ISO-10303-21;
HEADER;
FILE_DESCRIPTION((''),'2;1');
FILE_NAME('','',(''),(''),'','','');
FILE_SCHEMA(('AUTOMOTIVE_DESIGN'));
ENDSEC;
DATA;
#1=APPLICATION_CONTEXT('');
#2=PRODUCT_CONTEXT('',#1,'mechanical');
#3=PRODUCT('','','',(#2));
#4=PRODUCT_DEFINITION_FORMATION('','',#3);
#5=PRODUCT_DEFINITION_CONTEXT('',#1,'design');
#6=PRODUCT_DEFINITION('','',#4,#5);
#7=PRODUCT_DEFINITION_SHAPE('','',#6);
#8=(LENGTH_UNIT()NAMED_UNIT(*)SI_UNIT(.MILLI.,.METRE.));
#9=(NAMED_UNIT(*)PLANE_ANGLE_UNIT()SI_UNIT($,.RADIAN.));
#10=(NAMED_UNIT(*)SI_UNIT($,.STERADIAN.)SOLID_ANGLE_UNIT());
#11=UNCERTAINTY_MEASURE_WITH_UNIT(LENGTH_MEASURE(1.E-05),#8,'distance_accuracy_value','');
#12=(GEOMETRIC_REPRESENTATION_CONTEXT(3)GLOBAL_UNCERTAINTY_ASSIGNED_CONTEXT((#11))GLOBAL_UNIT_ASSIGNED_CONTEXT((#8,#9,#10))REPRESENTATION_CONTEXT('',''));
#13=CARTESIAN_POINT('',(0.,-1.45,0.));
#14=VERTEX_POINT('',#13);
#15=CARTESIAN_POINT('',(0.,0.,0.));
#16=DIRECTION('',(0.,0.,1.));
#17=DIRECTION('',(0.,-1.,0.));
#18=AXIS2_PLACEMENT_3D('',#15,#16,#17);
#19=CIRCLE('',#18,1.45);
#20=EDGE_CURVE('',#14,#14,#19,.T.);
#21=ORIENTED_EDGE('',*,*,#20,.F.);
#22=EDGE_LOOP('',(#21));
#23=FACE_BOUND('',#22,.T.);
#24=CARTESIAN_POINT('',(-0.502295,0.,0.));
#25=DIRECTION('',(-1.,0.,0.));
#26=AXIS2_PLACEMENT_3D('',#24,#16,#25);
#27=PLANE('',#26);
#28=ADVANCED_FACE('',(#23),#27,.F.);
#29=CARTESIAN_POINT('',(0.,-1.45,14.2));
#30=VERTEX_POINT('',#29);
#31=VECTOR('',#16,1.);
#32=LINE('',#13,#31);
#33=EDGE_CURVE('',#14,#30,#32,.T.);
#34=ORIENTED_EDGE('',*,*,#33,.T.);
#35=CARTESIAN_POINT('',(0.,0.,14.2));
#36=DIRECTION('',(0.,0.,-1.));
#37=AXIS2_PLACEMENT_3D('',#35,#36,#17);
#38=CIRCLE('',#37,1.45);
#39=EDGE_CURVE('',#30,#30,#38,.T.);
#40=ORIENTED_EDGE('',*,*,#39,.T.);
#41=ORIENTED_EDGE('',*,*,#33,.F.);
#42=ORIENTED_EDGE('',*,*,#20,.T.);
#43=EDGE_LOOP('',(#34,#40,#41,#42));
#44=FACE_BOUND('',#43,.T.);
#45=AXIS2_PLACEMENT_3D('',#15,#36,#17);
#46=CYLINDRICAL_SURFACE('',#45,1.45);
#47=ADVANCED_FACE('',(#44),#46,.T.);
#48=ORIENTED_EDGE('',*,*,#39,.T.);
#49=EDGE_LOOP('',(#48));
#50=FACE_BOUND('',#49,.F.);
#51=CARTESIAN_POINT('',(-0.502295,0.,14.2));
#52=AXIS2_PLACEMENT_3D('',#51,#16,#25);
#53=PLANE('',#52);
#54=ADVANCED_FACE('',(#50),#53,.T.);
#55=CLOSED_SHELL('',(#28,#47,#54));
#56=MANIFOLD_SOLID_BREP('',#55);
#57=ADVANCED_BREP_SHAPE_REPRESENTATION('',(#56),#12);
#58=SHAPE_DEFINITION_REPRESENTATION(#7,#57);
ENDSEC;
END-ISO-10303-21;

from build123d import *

# Parameters (mm, degrees)
PAD001_DEPTH            = 14.2
BODY001_PLACEMENT_ANGLE = 180


with BuildPart() as part:
    # Sketch001 → Pad001 (new body)
    with BuildSketch(Plane.XY):
        with BuildLine():
            ThreePointArc((0, 1.45), (-1.45, 0), (0, -1.45))
            Line((0, -1.45), (0, 1.45))
        make_face()
    pad001 = extrude(amount=PAD001_DEPTH)

    # Mirrored: Pad001 across Sketch001 V_Axis
    add(pad001.mirror(Plane(origin=(0, 0, 0), x_dir=(0, 0, 1), z_dir=(1, 0, 0))))


with BuildPart() as part_1:
    # Body001 placement: moved
    add(part.part.rotate(Axis((0, 0, 0), (0, 0, 1)), BODY001_PLACEMENT_ANGLE))


solid = part_1.part
